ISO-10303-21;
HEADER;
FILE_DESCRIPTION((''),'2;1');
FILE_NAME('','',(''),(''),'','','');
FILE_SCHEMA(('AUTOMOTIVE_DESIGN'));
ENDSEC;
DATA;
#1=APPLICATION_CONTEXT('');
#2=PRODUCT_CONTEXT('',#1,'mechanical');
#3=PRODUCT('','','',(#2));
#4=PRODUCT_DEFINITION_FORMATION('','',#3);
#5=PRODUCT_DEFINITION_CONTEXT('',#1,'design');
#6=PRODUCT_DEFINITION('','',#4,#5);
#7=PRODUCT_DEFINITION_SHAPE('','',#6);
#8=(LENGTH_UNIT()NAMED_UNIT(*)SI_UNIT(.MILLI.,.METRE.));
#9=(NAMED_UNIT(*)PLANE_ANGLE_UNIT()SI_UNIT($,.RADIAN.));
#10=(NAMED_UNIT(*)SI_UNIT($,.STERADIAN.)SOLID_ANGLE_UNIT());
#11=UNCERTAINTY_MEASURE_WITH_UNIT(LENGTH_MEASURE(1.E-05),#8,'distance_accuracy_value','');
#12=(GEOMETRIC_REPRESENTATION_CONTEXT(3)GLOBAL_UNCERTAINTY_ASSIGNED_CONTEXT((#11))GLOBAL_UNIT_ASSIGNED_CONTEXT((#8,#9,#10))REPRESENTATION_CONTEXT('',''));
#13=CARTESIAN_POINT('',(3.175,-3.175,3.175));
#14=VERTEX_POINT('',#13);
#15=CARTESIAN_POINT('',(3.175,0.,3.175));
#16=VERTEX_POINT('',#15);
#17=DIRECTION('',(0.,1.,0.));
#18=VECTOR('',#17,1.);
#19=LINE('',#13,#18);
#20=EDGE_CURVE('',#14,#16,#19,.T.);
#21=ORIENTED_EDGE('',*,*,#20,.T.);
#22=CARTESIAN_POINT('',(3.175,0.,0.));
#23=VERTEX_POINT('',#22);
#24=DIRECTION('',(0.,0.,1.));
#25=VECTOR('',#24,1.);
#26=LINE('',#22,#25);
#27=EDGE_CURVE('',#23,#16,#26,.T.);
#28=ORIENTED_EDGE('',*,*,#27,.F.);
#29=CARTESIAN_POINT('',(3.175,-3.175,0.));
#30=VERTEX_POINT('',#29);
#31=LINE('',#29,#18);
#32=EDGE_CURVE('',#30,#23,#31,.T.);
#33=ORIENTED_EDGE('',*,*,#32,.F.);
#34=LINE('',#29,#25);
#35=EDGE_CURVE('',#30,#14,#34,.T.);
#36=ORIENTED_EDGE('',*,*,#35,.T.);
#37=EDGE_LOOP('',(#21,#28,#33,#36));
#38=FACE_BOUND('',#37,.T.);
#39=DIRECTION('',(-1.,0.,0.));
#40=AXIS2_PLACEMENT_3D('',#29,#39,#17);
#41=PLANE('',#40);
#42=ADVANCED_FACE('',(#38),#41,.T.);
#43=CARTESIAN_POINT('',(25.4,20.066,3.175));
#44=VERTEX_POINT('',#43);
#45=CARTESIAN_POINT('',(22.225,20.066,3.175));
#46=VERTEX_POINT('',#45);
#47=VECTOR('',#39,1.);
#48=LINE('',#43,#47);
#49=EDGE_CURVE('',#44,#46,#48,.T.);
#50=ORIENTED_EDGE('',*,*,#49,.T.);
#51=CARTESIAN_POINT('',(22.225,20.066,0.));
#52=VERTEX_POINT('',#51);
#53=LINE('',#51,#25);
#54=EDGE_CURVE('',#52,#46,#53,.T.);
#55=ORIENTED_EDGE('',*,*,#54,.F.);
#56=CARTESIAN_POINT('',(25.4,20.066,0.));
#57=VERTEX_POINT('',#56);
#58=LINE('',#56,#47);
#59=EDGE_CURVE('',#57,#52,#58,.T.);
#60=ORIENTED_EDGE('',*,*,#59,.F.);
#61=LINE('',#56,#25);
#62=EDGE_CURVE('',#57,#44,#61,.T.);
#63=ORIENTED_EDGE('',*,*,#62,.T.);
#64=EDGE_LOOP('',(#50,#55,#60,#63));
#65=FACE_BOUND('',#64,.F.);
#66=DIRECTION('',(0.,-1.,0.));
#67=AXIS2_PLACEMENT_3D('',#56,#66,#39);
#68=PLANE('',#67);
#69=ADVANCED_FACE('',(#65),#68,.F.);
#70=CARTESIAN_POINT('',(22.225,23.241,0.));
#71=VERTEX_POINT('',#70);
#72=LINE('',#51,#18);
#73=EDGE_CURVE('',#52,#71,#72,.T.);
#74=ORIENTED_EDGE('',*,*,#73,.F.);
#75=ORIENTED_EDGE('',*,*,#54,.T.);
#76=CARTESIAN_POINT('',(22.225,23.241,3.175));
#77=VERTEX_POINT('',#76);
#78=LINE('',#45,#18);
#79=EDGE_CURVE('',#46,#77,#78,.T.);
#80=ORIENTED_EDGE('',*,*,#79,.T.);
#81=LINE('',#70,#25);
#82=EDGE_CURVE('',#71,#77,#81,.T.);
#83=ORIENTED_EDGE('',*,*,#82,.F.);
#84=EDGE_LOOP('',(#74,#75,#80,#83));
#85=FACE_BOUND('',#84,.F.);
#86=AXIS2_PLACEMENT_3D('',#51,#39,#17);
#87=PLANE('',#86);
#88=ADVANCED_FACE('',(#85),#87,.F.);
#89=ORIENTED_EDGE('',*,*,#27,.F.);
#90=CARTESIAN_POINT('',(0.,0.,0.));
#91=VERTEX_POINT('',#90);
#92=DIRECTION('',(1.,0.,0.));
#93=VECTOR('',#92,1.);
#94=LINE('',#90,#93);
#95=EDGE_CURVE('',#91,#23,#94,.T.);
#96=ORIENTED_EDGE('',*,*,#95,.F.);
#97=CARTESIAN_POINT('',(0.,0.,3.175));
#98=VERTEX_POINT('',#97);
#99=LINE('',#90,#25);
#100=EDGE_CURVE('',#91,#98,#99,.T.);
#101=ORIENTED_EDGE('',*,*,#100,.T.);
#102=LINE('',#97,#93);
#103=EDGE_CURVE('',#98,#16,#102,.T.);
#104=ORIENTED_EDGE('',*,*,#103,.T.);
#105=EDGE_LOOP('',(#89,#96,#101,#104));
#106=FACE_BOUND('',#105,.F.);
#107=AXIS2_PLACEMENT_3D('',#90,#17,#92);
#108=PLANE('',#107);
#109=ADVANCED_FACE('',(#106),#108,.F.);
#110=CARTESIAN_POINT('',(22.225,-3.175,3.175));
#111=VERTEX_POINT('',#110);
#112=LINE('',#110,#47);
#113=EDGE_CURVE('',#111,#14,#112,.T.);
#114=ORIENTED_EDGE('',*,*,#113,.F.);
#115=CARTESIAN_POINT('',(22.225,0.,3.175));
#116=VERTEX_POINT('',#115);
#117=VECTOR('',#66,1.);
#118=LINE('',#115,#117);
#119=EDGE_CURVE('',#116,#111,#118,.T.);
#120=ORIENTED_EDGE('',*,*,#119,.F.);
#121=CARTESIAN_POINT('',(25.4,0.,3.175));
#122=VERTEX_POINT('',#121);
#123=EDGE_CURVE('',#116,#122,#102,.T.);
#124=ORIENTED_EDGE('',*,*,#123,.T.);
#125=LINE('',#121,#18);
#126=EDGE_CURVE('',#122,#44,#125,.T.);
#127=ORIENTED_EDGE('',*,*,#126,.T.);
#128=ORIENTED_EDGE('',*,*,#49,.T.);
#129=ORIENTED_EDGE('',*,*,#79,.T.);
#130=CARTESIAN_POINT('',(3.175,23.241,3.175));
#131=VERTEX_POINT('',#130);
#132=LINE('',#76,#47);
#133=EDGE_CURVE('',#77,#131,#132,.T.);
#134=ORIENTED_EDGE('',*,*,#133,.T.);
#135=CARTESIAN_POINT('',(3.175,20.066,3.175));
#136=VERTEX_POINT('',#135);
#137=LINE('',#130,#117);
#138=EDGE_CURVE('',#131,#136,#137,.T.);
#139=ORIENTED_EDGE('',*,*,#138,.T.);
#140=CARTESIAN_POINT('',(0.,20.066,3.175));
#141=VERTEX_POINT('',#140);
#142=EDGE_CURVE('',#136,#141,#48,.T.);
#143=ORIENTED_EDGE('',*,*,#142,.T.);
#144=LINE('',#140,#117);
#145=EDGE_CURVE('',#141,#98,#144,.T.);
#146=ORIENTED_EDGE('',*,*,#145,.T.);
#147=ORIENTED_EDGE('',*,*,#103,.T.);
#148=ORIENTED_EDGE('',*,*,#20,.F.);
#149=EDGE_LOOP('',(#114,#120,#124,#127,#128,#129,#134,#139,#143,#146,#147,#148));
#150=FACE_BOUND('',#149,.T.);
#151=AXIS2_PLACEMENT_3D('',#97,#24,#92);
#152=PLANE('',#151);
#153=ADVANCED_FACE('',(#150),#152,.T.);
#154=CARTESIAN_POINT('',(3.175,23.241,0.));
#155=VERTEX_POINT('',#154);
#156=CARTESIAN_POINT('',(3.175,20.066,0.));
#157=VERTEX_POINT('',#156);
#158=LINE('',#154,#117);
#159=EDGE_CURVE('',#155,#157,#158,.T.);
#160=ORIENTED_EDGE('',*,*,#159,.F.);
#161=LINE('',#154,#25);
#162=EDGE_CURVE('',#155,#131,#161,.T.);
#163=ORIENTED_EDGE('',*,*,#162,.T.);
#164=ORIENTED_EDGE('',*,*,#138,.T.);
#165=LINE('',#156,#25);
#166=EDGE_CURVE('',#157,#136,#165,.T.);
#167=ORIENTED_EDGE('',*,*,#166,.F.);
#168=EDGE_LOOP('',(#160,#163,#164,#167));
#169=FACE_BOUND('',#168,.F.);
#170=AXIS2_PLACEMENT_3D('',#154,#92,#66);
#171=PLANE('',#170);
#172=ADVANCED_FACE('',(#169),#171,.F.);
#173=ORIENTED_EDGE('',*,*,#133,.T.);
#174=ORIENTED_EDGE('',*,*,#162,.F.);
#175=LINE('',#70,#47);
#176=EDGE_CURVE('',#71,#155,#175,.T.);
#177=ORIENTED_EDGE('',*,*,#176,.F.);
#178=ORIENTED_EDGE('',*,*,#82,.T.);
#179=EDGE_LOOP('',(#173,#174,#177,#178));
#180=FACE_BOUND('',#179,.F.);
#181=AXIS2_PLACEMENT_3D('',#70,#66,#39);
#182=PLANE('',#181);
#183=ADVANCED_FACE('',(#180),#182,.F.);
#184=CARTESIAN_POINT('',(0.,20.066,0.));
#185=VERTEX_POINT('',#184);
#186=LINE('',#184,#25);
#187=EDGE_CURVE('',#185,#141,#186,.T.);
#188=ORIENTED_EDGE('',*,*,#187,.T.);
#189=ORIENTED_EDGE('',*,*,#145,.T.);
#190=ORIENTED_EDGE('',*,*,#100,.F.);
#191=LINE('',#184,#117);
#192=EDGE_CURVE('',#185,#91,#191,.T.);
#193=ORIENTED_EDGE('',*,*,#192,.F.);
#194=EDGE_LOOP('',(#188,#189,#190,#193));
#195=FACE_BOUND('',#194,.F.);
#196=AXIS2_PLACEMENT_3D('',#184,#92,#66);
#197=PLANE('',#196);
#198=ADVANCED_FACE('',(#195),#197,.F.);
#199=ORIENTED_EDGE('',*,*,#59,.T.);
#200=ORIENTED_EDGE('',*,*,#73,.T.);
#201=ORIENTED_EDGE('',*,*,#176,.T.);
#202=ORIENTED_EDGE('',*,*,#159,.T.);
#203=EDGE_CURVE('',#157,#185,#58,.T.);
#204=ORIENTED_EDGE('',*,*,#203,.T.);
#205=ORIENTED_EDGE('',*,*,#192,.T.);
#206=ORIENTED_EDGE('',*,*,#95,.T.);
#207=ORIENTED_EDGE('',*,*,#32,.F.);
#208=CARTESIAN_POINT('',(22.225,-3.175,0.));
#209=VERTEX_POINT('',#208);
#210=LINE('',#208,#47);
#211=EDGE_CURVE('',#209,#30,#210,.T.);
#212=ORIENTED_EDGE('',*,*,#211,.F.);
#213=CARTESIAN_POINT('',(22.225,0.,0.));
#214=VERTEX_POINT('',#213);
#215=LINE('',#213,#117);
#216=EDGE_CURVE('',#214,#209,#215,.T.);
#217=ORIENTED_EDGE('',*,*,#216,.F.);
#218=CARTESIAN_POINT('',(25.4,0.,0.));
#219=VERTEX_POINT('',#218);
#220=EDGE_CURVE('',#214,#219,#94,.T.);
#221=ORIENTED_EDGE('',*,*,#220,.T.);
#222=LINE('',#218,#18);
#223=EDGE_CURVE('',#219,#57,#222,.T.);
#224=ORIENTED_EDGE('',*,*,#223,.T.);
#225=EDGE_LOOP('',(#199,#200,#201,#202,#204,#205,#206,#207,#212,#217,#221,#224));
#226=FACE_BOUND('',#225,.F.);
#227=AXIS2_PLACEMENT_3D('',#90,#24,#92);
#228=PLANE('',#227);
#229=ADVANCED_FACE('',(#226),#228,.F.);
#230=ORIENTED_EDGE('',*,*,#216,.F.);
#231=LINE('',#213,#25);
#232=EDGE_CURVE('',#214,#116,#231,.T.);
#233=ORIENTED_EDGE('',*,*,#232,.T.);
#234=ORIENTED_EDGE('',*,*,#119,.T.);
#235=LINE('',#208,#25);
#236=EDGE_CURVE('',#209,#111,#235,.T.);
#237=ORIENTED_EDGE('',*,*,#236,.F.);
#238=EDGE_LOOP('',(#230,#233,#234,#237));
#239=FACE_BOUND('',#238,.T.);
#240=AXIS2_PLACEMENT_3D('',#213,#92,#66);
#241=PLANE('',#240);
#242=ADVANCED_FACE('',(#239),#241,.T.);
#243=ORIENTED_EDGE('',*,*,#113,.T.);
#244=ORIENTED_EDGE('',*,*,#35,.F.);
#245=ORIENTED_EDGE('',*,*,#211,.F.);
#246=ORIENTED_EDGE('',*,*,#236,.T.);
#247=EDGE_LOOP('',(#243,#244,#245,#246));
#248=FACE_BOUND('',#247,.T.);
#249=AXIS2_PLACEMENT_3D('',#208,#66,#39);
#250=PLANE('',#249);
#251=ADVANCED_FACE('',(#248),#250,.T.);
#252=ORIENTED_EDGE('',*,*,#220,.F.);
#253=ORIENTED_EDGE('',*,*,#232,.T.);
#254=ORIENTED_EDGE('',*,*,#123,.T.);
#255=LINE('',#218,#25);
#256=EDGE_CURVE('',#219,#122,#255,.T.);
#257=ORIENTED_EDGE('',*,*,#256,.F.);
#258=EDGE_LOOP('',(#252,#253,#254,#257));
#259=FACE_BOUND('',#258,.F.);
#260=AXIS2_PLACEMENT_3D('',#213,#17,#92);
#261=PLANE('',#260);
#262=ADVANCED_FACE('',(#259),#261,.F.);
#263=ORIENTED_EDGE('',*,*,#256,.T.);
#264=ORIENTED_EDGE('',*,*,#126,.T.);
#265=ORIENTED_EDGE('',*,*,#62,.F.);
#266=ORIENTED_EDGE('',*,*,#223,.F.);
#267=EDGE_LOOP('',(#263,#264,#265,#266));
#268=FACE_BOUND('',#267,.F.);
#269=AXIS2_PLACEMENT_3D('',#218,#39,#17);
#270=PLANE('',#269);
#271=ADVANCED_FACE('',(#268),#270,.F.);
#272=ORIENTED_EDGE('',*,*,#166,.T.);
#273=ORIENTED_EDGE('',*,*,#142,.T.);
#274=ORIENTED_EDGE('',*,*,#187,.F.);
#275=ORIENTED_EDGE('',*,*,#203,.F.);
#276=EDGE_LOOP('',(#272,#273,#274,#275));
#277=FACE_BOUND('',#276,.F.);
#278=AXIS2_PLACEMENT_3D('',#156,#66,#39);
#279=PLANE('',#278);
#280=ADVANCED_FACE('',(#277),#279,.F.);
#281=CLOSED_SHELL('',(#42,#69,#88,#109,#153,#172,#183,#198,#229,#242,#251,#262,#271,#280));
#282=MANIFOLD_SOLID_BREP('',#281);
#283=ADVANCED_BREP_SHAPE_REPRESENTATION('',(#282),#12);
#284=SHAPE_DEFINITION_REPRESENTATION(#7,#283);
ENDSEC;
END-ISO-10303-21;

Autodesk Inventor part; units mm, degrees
ref_plane "YZ Plane" through (0, 0, 0) normal (1, 0, 0) x (0, 1, 0)
ref_plane "XZ Plane" through (0, 0, 0) normal (0, 1, 0) x (-1, 0, 0)
ref_plane "XY Plane" through (0, 0, 0) normal (0, 0, 1) x (1, 0, 0)
sketch "Sketch1" plane through (0, 0, 0) normal (0, 0, 1) x (1, 0, 0)
  line L0 (0, 0) -> (25.4, 0)
  line L1 (25.4, 0) -> (25.4, 20.066)
  line L2 (25.4, 20.066) -> (0, 20.066)
  line L3 (0, 20.066) -> (0, 0)
  line L4 (3.175, 0) -> (22.225, 0)
  line L5 (22.225, 0) -> (22.225, -3.175)
  line L6 (22.225, -3.175) -> (3.175, -3.175)
  line L7 (3.175, -3.175) -> (3.175, 0)
  line L8 (3.175, 20.066) -> (22.225, 20.066)
  line L9 (22.225, 20.066) -> (22.225, 23.241)
  line L10 (22.225, 23.241) -> (3.175, 23.241)
  line L11 (3.175, 23.241) -> (3.175, 20.066)
  point P0 (3.175, 21.6535)
  point P1 (0, 10.033)
  dimension "d0" = 3.175
  dimension "d1" = 3.175
  dimension "d2" = 3.175
  dimension "d3" = 3.175
  dimension "d4" = 3.175
  dimension "d5" = 3.175
  dimension "d7" = 20.066
  dimension "d10" = 19.05
extrude "Extrusion1" add sketch "Sketch1" along normal blind 3.175
properties part number "servo front"
